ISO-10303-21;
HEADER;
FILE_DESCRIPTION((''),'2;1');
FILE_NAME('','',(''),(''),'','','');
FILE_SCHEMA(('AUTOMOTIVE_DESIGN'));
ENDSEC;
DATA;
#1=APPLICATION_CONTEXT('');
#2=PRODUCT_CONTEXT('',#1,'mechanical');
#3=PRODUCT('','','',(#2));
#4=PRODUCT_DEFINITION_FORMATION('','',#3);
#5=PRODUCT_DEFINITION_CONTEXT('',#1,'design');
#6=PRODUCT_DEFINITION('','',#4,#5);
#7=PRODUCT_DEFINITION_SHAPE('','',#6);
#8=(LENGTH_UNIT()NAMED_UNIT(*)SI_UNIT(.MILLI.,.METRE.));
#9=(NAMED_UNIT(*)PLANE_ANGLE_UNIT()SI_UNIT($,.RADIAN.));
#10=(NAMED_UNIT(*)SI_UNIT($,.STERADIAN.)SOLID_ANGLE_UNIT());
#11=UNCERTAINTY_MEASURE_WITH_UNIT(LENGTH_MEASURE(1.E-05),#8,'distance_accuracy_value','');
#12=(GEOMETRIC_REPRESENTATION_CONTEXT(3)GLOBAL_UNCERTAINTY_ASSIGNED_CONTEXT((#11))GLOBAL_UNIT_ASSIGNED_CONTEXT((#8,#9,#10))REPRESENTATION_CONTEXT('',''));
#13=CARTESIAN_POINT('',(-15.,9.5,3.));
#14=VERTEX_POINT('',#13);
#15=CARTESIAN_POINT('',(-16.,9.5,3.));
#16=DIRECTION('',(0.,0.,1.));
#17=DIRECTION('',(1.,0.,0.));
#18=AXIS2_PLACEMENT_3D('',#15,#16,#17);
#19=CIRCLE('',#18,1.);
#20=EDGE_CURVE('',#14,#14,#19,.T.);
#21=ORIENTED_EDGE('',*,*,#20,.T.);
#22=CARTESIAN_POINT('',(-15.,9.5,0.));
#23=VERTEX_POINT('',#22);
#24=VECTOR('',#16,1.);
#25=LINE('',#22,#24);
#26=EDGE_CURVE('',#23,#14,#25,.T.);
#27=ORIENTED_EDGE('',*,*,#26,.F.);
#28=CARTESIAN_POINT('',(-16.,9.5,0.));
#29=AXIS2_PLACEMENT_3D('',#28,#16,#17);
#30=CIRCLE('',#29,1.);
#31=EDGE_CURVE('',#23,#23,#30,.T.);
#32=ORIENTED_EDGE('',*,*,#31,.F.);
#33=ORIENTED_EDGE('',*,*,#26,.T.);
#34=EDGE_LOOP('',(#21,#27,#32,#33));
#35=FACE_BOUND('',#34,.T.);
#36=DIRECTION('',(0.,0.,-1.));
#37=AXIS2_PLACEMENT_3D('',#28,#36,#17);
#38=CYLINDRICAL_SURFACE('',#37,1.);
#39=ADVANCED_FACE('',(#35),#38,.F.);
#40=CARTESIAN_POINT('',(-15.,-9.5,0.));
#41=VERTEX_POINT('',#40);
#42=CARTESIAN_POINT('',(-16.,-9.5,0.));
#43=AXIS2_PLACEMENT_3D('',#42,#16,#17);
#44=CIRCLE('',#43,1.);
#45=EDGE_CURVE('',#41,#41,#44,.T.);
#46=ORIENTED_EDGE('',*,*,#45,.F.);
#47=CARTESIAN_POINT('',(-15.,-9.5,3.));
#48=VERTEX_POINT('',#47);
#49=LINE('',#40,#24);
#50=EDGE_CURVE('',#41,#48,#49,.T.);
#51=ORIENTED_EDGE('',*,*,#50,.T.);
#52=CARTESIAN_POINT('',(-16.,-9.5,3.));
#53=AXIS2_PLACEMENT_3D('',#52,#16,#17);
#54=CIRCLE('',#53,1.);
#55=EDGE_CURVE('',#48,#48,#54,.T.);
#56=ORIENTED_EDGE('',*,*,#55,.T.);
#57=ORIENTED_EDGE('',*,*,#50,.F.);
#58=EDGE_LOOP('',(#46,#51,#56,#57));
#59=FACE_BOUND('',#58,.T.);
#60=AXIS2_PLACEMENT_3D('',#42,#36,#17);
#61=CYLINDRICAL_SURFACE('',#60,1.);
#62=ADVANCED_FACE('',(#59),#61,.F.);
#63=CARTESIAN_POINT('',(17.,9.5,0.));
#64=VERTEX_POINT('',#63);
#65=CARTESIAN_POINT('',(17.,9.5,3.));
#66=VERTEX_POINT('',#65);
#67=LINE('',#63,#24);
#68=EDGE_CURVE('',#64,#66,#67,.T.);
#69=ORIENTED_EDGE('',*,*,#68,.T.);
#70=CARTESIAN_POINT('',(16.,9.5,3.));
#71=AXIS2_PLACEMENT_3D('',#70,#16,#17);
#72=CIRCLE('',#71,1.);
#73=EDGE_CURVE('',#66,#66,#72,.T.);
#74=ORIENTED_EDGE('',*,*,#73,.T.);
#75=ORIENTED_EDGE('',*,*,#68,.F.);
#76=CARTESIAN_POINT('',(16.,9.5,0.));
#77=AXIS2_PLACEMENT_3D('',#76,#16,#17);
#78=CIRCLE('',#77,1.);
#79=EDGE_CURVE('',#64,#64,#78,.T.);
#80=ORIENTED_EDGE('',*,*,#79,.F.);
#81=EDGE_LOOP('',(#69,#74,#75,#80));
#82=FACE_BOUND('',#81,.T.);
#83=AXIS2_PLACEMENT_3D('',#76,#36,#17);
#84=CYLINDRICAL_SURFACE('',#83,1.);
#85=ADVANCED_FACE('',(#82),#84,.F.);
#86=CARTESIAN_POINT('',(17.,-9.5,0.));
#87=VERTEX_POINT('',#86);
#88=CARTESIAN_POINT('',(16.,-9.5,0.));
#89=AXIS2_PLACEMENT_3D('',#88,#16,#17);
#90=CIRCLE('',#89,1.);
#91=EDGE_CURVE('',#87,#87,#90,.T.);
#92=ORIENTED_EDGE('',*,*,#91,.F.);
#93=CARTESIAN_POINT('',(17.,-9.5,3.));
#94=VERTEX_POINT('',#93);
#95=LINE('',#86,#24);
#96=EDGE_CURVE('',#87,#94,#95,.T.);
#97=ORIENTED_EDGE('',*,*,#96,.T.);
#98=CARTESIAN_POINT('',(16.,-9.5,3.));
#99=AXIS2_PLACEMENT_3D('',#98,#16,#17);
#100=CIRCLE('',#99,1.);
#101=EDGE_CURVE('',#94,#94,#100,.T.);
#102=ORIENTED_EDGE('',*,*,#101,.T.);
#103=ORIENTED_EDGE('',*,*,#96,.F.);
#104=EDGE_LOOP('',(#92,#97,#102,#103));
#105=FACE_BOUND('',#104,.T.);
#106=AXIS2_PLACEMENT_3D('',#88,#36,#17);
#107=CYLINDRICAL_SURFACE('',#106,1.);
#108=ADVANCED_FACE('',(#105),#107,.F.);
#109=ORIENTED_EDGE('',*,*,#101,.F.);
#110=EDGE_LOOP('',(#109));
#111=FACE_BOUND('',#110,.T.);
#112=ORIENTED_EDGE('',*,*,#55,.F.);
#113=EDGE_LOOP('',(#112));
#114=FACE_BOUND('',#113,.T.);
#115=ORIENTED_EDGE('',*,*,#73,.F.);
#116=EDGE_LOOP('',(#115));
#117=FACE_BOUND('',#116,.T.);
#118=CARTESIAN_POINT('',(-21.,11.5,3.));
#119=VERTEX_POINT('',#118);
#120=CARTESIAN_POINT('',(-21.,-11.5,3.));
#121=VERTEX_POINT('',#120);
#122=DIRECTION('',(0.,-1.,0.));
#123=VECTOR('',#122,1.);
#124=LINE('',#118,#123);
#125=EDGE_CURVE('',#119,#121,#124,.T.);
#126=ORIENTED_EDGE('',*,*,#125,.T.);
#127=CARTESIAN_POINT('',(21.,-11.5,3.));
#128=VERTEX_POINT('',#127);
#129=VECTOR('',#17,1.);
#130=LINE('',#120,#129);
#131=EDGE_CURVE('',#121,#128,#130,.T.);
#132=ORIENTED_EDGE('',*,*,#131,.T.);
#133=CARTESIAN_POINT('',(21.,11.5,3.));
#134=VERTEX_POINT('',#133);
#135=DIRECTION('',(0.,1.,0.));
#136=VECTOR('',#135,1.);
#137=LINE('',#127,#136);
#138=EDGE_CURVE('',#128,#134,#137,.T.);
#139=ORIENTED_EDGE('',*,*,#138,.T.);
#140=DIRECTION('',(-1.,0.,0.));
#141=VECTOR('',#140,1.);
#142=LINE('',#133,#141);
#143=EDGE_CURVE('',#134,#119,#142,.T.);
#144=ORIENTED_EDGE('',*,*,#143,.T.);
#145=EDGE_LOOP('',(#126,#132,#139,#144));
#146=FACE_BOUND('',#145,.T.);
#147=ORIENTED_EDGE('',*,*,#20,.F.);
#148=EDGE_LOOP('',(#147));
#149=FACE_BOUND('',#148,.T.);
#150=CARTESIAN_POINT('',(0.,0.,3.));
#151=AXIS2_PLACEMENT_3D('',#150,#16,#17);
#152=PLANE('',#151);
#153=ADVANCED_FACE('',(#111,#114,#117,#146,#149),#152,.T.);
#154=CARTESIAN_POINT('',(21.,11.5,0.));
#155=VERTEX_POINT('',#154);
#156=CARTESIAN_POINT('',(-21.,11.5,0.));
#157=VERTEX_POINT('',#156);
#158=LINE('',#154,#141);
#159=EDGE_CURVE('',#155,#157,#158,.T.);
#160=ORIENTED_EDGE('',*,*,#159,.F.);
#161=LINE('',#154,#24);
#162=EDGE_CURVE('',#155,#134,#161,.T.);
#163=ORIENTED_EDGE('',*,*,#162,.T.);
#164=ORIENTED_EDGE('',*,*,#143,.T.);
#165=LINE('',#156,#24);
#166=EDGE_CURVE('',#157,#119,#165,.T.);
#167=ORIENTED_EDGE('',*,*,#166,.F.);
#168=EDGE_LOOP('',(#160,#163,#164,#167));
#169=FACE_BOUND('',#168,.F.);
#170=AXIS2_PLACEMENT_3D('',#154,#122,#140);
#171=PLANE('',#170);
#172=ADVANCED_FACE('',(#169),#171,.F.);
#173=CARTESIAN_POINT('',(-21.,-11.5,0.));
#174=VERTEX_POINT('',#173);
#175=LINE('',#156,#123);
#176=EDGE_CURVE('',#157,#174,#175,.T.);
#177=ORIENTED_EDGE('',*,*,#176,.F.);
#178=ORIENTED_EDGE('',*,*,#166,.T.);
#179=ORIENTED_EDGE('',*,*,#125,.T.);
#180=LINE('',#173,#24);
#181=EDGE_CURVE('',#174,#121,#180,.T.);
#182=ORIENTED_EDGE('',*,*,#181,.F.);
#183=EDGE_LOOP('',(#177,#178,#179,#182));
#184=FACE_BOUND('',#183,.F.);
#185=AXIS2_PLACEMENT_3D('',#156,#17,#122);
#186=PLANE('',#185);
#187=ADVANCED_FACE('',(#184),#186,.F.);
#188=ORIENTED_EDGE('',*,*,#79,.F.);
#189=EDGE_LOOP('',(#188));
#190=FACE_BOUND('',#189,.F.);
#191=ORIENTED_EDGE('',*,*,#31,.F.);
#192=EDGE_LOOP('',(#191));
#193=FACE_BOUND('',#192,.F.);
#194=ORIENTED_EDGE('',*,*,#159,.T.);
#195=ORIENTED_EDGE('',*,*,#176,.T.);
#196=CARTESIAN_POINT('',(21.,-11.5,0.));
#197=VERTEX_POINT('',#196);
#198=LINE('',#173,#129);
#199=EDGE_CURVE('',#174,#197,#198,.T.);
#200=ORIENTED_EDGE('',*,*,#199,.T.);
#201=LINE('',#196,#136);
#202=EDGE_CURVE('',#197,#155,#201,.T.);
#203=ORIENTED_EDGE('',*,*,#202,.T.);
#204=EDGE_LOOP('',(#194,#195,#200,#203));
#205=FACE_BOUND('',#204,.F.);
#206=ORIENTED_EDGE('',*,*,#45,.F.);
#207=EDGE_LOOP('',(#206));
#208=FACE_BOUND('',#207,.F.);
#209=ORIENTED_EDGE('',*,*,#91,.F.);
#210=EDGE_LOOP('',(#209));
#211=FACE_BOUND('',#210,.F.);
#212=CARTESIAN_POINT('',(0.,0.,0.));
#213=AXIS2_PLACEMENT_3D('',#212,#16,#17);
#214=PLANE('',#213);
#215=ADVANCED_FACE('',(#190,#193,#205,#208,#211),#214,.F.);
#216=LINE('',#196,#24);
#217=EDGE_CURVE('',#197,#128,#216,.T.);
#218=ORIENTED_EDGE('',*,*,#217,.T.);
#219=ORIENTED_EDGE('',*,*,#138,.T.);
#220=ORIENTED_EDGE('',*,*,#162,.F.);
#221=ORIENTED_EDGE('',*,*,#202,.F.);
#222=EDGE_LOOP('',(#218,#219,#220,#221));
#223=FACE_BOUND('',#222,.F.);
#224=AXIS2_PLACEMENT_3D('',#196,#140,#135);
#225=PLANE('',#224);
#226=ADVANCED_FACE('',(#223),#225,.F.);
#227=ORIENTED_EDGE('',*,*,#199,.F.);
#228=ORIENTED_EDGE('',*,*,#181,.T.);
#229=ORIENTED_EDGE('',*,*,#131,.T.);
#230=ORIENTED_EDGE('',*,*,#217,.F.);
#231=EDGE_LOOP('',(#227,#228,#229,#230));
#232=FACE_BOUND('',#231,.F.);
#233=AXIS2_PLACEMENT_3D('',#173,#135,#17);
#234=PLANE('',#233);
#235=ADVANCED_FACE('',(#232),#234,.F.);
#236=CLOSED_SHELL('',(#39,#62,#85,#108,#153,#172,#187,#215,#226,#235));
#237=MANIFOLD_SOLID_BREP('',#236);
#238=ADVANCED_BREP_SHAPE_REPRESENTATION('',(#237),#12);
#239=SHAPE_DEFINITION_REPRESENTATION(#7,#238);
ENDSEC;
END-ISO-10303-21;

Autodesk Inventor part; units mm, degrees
ref_plane "YZ Plane" through (0, 0, 0) normal (1, 0, 0) x (0, 1, 0)
ref_plane "XZ Plane" through (0, 0, 0) normal (0, 1, 0) x (-1, 0, 0)
ref_plane "XY Plane" through (0, 0, 0) normal (0, 0, 1) x (1, 0, 0)
sketch "Эскиз1" plane through (0, 0, 0) normal (0, 0, 1) x (1, 0, 0)
  line L0 (-21, -11.5) -> (21, -11.5)
  line L1 (21, -11.5) -> (21, 11.5)
  line L2 (21, 11.5) -> (-21, 11.5)
  line L3 (-21, 11.5) -> (-21, -11.5)
  line L4 (-21, -11.5) -> (21, 11.5) construction
  line L5 (21, -11.5) -> (-21, 11.5) construction
  line L6 (21, -11.5) -> (16, -11.5) construction
  line L7 (16, -11.5) -> (16, -9.5) construction
  line L8 (-21, 11.5) -> (-16, 11.5) construction
  line L9 (-16, 11.5) -> (-16, 9.5) construction
  circle A0 centre (-16, 9.5) radius 1
  circle A1 centre (16, -9.5) radius 1
  line L10 (0, 11.5) -> (0, -11.5) construction
  circle A2 centre (16, 9.5) radius 1
  circle A3 centre (-16, -9.5) radius 1
  point P0 (0, 0)
  dimension "d0" = 42
  dimension "d1" = 23
  dimension "d2" = 5
  dimension "d3" = 2
  dimension "d4" = 5
  dimension "d5" = 2
  dimension "d6" = 2
  dimension "d7" = 2
extrude "Выдавливание1" add sketch "Эскиз1" along normal blind 3
